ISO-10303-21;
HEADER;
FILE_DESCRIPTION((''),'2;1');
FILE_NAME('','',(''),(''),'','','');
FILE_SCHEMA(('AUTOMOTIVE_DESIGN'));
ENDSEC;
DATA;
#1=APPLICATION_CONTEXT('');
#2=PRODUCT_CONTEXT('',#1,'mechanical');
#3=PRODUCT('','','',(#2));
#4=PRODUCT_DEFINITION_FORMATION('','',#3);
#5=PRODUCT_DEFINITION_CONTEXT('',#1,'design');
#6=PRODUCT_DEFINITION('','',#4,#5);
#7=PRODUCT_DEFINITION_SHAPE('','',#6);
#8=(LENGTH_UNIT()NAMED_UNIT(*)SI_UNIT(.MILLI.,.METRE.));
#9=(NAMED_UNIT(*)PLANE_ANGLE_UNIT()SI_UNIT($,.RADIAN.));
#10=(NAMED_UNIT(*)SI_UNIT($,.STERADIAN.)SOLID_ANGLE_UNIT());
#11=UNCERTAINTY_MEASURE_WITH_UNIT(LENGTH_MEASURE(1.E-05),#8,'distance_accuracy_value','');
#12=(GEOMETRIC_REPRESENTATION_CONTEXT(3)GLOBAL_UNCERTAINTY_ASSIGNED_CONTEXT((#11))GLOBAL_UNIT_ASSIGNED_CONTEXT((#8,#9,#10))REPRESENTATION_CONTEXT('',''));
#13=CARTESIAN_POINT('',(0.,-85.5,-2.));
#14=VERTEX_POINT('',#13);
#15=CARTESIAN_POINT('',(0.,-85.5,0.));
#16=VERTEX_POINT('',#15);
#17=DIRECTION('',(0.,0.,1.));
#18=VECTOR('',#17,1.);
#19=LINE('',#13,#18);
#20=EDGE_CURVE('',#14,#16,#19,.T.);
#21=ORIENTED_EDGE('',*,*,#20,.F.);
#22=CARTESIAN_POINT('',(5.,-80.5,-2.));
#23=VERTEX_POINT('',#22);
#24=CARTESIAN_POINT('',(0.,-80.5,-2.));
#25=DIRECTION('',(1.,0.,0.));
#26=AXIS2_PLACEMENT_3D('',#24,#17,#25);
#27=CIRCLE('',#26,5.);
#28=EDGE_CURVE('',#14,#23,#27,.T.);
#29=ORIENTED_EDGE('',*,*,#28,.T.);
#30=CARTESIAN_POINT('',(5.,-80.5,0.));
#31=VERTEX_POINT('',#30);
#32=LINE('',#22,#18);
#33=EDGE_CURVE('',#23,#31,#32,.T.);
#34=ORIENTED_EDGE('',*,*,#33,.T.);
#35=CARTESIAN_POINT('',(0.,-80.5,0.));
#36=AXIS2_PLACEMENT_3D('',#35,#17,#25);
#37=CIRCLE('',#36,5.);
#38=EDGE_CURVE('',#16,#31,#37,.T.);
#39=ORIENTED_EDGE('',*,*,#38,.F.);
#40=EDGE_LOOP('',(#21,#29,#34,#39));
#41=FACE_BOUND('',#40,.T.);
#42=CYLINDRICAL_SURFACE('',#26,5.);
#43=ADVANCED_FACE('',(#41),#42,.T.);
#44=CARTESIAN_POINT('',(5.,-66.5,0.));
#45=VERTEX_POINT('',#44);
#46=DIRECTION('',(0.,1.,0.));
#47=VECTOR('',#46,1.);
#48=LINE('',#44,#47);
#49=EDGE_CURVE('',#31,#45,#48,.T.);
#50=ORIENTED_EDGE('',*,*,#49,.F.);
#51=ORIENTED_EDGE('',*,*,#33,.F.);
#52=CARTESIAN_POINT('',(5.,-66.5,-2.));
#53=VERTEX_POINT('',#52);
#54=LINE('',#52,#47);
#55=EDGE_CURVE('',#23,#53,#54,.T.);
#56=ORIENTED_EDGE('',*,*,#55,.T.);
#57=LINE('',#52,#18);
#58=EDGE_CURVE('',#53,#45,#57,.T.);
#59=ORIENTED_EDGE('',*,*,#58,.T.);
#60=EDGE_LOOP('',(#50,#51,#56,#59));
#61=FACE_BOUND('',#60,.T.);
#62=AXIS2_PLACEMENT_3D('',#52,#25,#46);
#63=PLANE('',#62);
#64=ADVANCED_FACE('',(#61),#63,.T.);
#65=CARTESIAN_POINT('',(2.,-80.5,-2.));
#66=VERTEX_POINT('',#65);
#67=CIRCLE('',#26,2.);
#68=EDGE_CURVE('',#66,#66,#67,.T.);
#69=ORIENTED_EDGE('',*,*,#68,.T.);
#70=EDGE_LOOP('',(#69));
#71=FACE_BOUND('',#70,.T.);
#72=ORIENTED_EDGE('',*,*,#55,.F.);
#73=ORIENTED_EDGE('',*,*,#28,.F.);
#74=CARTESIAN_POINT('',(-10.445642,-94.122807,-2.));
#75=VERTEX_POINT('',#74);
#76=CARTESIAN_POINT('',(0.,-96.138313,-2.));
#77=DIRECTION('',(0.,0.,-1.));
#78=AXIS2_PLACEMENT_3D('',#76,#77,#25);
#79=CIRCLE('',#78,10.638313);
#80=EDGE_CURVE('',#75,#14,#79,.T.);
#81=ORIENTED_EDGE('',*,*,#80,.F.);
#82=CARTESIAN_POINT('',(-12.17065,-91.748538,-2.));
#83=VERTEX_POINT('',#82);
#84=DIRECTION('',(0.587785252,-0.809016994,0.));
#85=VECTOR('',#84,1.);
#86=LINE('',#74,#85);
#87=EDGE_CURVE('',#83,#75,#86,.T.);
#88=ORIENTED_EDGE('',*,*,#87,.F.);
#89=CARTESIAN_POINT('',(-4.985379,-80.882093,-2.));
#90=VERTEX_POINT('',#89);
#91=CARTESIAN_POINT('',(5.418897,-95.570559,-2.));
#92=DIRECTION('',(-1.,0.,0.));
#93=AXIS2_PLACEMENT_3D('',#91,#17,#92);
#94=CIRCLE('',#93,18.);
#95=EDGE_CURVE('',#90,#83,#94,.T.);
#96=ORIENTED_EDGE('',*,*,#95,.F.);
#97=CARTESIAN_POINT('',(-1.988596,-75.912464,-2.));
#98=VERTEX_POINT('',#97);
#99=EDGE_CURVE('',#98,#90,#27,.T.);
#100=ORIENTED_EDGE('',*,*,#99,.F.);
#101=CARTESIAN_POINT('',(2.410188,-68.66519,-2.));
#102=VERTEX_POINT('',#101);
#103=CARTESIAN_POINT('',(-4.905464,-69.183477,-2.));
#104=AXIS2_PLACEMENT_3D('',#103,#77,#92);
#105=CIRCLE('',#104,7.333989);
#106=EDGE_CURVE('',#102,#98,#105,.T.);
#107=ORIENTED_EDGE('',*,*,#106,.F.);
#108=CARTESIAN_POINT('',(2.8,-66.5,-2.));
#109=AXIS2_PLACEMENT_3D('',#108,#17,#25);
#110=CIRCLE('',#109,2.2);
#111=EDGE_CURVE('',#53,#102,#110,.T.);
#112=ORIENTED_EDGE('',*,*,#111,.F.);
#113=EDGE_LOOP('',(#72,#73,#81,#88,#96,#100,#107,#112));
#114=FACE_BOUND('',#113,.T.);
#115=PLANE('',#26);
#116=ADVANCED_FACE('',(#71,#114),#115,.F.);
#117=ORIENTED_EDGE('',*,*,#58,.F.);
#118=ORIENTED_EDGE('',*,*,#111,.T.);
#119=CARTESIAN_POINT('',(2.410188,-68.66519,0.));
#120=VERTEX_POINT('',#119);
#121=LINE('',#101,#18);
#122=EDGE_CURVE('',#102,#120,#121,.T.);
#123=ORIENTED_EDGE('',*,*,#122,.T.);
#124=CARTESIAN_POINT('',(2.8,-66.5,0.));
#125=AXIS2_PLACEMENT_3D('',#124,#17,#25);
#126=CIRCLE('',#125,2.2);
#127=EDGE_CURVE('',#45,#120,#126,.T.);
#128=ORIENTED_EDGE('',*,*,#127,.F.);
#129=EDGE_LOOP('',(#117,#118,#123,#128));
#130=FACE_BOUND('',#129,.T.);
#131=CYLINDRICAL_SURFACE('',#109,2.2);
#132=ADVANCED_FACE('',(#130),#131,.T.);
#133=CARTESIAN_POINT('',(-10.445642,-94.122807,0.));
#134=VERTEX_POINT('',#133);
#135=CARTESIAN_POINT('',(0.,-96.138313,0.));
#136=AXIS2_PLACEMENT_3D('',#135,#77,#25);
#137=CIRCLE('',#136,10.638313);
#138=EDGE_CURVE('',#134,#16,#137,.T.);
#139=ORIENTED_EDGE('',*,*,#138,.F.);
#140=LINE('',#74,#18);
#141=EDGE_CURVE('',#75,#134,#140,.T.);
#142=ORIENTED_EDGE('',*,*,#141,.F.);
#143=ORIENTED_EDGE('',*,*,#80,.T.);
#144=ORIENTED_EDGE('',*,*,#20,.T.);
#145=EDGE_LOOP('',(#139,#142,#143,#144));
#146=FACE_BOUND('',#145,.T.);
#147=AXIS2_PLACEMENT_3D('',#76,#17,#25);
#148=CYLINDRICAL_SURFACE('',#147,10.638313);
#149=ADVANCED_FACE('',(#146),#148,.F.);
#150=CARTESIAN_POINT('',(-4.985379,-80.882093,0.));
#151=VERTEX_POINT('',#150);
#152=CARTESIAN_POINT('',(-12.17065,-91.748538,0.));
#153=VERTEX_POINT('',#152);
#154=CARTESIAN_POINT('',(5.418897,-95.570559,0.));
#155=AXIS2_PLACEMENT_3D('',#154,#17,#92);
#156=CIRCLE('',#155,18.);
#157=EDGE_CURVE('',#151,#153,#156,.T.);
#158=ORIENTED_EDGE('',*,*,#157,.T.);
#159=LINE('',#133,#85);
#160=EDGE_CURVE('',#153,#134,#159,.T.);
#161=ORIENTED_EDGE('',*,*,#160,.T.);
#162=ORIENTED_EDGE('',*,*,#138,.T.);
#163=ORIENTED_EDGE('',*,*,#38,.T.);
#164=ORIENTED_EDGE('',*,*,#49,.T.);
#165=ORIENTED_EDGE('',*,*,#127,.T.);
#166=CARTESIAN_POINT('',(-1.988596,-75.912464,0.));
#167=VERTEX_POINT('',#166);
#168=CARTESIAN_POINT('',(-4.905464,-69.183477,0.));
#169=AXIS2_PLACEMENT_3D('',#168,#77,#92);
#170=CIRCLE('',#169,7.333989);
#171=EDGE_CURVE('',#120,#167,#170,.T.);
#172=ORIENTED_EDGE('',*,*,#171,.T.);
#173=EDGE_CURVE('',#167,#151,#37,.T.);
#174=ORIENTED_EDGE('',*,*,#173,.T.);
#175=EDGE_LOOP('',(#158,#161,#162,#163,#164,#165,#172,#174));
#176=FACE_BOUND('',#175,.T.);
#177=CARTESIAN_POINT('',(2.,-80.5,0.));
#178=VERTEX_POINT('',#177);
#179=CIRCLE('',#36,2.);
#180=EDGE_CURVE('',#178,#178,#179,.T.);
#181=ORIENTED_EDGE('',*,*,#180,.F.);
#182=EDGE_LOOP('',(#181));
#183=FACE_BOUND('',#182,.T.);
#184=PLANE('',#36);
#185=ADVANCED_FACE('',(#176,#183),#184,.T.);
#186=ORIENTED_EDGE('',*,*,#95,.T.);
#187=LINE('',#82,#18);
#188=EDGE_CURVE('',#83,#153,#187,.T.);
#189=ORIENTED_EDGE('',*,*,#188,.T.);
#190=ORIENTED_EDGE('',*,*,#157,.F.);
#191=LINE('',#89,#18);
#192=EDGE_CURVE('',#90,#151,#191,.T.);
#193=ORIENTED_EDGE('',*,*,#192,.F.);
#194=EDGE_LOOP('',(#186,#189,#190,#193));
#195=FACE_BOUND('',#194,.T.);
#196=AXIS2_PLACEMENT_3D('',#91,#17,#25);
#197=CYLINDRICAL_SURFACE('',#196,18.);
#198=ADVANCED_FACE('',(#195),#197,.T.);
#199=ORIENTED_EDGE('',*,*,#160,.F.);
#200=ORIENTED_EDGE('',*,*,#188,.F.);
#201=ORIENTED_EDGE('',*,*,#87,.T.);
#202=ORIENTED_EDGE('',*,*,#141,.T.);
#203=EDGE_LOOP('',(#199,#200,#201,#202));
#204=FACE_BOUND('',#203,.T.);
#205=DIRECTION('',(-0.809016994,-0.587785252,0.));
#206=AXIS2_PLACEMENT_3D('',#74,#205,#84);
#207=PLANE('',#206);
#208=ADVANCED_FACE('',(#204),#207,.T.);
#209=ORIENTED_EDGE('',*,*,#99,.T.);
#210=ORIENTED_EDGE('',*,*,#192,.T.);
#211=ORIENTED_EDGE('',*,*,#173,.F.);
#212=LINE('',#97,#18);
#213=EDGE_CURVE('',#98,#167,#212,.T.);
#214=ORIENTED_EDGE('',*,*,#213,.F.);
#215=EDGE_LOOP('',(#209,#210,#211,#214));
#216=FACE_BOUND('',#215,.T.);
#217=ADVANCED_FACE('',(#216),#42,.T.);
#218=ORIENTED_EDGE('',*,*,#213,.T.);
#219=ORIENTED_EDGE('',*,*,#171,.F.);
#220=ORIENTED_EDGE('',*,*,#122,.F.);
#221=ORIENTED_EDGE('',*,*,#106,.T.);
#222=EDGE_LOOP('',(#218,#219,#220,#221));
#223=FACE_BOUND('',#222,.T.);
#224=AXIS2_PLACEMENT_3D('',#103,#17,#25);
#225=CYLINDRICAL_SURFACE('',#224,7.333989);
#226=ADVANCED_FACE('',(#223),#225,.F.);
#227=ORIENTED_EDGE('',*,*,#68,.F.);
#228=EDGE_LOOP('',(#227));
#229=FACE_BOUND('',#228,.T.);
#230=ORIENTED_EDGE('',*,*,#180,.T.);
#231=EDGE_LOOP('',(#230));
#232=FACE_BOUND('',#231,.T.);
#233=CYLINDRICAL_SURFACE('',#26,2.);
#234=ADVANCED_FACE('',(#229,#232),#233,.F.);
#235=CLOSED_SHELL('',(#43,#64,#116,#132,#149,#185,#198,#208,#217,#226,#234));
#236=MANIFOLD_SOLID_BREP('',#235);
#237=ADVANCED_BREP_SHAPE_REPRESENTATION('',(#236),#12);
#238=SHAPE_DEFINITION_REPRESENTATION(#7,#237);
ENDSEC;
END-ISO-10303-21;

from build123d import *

# Parameters (mm, degrees)
BOSS_EXTRUDE1_DEPTH = 2
SKETCH3_R           = 2
CUT_EXTRUDE1_DEPTH  = 3


with BuildPart() as part:
    # Sketch2 → Boss-Extrude1 (new body)
    with BuildSketch(Plane.XY):
        with BuildLine():
            Line((-10.445641875, -94.122807376), (-12.17064978, -91.748537682))
            ThreePointArc((-12.17064978, -91.748537682), (-9.595543925, -85.642489446), (-4.985379129, -80.882092847))
            ThreePointArc((-4.985379129, -80.882092847), (-4.281750191, -77.918021049), (-1.988595944, -75.912464041))
            ThreePointArc((-1.988595944, -75.912464041), (1.364054662, -72.988805292), (2.410188275, -68.665189788))
            ThreePointArc((2.410188275, -68.665189788), (1.388898621, -64.812163249), (5, -66.5))
            Line((5, -66.5), (5, -80.5))
            ThreePointArc((5, -80.5), (3.535533906, -84.035533906), (0, -85.5))
            ThreePointArc((0, -85.5), (-6.77244862, -87.934189562), (-10.445641875, -94.122807376))
        make_face()
    extrude(amount=-BOSS_EXTRUDE1_DEPTH)

    # Sketch3 → Cut-Extrude1 (cut, through all)
    with BuildSketch(Plane.XY):
        with Locations((0, -80.5)):
            Circle(SKETCH3_R)
    extrude(amount=-CUT_EXTRUDE1_DEPTH, mode=Mode.SUBTRACT)


solid = part.part
